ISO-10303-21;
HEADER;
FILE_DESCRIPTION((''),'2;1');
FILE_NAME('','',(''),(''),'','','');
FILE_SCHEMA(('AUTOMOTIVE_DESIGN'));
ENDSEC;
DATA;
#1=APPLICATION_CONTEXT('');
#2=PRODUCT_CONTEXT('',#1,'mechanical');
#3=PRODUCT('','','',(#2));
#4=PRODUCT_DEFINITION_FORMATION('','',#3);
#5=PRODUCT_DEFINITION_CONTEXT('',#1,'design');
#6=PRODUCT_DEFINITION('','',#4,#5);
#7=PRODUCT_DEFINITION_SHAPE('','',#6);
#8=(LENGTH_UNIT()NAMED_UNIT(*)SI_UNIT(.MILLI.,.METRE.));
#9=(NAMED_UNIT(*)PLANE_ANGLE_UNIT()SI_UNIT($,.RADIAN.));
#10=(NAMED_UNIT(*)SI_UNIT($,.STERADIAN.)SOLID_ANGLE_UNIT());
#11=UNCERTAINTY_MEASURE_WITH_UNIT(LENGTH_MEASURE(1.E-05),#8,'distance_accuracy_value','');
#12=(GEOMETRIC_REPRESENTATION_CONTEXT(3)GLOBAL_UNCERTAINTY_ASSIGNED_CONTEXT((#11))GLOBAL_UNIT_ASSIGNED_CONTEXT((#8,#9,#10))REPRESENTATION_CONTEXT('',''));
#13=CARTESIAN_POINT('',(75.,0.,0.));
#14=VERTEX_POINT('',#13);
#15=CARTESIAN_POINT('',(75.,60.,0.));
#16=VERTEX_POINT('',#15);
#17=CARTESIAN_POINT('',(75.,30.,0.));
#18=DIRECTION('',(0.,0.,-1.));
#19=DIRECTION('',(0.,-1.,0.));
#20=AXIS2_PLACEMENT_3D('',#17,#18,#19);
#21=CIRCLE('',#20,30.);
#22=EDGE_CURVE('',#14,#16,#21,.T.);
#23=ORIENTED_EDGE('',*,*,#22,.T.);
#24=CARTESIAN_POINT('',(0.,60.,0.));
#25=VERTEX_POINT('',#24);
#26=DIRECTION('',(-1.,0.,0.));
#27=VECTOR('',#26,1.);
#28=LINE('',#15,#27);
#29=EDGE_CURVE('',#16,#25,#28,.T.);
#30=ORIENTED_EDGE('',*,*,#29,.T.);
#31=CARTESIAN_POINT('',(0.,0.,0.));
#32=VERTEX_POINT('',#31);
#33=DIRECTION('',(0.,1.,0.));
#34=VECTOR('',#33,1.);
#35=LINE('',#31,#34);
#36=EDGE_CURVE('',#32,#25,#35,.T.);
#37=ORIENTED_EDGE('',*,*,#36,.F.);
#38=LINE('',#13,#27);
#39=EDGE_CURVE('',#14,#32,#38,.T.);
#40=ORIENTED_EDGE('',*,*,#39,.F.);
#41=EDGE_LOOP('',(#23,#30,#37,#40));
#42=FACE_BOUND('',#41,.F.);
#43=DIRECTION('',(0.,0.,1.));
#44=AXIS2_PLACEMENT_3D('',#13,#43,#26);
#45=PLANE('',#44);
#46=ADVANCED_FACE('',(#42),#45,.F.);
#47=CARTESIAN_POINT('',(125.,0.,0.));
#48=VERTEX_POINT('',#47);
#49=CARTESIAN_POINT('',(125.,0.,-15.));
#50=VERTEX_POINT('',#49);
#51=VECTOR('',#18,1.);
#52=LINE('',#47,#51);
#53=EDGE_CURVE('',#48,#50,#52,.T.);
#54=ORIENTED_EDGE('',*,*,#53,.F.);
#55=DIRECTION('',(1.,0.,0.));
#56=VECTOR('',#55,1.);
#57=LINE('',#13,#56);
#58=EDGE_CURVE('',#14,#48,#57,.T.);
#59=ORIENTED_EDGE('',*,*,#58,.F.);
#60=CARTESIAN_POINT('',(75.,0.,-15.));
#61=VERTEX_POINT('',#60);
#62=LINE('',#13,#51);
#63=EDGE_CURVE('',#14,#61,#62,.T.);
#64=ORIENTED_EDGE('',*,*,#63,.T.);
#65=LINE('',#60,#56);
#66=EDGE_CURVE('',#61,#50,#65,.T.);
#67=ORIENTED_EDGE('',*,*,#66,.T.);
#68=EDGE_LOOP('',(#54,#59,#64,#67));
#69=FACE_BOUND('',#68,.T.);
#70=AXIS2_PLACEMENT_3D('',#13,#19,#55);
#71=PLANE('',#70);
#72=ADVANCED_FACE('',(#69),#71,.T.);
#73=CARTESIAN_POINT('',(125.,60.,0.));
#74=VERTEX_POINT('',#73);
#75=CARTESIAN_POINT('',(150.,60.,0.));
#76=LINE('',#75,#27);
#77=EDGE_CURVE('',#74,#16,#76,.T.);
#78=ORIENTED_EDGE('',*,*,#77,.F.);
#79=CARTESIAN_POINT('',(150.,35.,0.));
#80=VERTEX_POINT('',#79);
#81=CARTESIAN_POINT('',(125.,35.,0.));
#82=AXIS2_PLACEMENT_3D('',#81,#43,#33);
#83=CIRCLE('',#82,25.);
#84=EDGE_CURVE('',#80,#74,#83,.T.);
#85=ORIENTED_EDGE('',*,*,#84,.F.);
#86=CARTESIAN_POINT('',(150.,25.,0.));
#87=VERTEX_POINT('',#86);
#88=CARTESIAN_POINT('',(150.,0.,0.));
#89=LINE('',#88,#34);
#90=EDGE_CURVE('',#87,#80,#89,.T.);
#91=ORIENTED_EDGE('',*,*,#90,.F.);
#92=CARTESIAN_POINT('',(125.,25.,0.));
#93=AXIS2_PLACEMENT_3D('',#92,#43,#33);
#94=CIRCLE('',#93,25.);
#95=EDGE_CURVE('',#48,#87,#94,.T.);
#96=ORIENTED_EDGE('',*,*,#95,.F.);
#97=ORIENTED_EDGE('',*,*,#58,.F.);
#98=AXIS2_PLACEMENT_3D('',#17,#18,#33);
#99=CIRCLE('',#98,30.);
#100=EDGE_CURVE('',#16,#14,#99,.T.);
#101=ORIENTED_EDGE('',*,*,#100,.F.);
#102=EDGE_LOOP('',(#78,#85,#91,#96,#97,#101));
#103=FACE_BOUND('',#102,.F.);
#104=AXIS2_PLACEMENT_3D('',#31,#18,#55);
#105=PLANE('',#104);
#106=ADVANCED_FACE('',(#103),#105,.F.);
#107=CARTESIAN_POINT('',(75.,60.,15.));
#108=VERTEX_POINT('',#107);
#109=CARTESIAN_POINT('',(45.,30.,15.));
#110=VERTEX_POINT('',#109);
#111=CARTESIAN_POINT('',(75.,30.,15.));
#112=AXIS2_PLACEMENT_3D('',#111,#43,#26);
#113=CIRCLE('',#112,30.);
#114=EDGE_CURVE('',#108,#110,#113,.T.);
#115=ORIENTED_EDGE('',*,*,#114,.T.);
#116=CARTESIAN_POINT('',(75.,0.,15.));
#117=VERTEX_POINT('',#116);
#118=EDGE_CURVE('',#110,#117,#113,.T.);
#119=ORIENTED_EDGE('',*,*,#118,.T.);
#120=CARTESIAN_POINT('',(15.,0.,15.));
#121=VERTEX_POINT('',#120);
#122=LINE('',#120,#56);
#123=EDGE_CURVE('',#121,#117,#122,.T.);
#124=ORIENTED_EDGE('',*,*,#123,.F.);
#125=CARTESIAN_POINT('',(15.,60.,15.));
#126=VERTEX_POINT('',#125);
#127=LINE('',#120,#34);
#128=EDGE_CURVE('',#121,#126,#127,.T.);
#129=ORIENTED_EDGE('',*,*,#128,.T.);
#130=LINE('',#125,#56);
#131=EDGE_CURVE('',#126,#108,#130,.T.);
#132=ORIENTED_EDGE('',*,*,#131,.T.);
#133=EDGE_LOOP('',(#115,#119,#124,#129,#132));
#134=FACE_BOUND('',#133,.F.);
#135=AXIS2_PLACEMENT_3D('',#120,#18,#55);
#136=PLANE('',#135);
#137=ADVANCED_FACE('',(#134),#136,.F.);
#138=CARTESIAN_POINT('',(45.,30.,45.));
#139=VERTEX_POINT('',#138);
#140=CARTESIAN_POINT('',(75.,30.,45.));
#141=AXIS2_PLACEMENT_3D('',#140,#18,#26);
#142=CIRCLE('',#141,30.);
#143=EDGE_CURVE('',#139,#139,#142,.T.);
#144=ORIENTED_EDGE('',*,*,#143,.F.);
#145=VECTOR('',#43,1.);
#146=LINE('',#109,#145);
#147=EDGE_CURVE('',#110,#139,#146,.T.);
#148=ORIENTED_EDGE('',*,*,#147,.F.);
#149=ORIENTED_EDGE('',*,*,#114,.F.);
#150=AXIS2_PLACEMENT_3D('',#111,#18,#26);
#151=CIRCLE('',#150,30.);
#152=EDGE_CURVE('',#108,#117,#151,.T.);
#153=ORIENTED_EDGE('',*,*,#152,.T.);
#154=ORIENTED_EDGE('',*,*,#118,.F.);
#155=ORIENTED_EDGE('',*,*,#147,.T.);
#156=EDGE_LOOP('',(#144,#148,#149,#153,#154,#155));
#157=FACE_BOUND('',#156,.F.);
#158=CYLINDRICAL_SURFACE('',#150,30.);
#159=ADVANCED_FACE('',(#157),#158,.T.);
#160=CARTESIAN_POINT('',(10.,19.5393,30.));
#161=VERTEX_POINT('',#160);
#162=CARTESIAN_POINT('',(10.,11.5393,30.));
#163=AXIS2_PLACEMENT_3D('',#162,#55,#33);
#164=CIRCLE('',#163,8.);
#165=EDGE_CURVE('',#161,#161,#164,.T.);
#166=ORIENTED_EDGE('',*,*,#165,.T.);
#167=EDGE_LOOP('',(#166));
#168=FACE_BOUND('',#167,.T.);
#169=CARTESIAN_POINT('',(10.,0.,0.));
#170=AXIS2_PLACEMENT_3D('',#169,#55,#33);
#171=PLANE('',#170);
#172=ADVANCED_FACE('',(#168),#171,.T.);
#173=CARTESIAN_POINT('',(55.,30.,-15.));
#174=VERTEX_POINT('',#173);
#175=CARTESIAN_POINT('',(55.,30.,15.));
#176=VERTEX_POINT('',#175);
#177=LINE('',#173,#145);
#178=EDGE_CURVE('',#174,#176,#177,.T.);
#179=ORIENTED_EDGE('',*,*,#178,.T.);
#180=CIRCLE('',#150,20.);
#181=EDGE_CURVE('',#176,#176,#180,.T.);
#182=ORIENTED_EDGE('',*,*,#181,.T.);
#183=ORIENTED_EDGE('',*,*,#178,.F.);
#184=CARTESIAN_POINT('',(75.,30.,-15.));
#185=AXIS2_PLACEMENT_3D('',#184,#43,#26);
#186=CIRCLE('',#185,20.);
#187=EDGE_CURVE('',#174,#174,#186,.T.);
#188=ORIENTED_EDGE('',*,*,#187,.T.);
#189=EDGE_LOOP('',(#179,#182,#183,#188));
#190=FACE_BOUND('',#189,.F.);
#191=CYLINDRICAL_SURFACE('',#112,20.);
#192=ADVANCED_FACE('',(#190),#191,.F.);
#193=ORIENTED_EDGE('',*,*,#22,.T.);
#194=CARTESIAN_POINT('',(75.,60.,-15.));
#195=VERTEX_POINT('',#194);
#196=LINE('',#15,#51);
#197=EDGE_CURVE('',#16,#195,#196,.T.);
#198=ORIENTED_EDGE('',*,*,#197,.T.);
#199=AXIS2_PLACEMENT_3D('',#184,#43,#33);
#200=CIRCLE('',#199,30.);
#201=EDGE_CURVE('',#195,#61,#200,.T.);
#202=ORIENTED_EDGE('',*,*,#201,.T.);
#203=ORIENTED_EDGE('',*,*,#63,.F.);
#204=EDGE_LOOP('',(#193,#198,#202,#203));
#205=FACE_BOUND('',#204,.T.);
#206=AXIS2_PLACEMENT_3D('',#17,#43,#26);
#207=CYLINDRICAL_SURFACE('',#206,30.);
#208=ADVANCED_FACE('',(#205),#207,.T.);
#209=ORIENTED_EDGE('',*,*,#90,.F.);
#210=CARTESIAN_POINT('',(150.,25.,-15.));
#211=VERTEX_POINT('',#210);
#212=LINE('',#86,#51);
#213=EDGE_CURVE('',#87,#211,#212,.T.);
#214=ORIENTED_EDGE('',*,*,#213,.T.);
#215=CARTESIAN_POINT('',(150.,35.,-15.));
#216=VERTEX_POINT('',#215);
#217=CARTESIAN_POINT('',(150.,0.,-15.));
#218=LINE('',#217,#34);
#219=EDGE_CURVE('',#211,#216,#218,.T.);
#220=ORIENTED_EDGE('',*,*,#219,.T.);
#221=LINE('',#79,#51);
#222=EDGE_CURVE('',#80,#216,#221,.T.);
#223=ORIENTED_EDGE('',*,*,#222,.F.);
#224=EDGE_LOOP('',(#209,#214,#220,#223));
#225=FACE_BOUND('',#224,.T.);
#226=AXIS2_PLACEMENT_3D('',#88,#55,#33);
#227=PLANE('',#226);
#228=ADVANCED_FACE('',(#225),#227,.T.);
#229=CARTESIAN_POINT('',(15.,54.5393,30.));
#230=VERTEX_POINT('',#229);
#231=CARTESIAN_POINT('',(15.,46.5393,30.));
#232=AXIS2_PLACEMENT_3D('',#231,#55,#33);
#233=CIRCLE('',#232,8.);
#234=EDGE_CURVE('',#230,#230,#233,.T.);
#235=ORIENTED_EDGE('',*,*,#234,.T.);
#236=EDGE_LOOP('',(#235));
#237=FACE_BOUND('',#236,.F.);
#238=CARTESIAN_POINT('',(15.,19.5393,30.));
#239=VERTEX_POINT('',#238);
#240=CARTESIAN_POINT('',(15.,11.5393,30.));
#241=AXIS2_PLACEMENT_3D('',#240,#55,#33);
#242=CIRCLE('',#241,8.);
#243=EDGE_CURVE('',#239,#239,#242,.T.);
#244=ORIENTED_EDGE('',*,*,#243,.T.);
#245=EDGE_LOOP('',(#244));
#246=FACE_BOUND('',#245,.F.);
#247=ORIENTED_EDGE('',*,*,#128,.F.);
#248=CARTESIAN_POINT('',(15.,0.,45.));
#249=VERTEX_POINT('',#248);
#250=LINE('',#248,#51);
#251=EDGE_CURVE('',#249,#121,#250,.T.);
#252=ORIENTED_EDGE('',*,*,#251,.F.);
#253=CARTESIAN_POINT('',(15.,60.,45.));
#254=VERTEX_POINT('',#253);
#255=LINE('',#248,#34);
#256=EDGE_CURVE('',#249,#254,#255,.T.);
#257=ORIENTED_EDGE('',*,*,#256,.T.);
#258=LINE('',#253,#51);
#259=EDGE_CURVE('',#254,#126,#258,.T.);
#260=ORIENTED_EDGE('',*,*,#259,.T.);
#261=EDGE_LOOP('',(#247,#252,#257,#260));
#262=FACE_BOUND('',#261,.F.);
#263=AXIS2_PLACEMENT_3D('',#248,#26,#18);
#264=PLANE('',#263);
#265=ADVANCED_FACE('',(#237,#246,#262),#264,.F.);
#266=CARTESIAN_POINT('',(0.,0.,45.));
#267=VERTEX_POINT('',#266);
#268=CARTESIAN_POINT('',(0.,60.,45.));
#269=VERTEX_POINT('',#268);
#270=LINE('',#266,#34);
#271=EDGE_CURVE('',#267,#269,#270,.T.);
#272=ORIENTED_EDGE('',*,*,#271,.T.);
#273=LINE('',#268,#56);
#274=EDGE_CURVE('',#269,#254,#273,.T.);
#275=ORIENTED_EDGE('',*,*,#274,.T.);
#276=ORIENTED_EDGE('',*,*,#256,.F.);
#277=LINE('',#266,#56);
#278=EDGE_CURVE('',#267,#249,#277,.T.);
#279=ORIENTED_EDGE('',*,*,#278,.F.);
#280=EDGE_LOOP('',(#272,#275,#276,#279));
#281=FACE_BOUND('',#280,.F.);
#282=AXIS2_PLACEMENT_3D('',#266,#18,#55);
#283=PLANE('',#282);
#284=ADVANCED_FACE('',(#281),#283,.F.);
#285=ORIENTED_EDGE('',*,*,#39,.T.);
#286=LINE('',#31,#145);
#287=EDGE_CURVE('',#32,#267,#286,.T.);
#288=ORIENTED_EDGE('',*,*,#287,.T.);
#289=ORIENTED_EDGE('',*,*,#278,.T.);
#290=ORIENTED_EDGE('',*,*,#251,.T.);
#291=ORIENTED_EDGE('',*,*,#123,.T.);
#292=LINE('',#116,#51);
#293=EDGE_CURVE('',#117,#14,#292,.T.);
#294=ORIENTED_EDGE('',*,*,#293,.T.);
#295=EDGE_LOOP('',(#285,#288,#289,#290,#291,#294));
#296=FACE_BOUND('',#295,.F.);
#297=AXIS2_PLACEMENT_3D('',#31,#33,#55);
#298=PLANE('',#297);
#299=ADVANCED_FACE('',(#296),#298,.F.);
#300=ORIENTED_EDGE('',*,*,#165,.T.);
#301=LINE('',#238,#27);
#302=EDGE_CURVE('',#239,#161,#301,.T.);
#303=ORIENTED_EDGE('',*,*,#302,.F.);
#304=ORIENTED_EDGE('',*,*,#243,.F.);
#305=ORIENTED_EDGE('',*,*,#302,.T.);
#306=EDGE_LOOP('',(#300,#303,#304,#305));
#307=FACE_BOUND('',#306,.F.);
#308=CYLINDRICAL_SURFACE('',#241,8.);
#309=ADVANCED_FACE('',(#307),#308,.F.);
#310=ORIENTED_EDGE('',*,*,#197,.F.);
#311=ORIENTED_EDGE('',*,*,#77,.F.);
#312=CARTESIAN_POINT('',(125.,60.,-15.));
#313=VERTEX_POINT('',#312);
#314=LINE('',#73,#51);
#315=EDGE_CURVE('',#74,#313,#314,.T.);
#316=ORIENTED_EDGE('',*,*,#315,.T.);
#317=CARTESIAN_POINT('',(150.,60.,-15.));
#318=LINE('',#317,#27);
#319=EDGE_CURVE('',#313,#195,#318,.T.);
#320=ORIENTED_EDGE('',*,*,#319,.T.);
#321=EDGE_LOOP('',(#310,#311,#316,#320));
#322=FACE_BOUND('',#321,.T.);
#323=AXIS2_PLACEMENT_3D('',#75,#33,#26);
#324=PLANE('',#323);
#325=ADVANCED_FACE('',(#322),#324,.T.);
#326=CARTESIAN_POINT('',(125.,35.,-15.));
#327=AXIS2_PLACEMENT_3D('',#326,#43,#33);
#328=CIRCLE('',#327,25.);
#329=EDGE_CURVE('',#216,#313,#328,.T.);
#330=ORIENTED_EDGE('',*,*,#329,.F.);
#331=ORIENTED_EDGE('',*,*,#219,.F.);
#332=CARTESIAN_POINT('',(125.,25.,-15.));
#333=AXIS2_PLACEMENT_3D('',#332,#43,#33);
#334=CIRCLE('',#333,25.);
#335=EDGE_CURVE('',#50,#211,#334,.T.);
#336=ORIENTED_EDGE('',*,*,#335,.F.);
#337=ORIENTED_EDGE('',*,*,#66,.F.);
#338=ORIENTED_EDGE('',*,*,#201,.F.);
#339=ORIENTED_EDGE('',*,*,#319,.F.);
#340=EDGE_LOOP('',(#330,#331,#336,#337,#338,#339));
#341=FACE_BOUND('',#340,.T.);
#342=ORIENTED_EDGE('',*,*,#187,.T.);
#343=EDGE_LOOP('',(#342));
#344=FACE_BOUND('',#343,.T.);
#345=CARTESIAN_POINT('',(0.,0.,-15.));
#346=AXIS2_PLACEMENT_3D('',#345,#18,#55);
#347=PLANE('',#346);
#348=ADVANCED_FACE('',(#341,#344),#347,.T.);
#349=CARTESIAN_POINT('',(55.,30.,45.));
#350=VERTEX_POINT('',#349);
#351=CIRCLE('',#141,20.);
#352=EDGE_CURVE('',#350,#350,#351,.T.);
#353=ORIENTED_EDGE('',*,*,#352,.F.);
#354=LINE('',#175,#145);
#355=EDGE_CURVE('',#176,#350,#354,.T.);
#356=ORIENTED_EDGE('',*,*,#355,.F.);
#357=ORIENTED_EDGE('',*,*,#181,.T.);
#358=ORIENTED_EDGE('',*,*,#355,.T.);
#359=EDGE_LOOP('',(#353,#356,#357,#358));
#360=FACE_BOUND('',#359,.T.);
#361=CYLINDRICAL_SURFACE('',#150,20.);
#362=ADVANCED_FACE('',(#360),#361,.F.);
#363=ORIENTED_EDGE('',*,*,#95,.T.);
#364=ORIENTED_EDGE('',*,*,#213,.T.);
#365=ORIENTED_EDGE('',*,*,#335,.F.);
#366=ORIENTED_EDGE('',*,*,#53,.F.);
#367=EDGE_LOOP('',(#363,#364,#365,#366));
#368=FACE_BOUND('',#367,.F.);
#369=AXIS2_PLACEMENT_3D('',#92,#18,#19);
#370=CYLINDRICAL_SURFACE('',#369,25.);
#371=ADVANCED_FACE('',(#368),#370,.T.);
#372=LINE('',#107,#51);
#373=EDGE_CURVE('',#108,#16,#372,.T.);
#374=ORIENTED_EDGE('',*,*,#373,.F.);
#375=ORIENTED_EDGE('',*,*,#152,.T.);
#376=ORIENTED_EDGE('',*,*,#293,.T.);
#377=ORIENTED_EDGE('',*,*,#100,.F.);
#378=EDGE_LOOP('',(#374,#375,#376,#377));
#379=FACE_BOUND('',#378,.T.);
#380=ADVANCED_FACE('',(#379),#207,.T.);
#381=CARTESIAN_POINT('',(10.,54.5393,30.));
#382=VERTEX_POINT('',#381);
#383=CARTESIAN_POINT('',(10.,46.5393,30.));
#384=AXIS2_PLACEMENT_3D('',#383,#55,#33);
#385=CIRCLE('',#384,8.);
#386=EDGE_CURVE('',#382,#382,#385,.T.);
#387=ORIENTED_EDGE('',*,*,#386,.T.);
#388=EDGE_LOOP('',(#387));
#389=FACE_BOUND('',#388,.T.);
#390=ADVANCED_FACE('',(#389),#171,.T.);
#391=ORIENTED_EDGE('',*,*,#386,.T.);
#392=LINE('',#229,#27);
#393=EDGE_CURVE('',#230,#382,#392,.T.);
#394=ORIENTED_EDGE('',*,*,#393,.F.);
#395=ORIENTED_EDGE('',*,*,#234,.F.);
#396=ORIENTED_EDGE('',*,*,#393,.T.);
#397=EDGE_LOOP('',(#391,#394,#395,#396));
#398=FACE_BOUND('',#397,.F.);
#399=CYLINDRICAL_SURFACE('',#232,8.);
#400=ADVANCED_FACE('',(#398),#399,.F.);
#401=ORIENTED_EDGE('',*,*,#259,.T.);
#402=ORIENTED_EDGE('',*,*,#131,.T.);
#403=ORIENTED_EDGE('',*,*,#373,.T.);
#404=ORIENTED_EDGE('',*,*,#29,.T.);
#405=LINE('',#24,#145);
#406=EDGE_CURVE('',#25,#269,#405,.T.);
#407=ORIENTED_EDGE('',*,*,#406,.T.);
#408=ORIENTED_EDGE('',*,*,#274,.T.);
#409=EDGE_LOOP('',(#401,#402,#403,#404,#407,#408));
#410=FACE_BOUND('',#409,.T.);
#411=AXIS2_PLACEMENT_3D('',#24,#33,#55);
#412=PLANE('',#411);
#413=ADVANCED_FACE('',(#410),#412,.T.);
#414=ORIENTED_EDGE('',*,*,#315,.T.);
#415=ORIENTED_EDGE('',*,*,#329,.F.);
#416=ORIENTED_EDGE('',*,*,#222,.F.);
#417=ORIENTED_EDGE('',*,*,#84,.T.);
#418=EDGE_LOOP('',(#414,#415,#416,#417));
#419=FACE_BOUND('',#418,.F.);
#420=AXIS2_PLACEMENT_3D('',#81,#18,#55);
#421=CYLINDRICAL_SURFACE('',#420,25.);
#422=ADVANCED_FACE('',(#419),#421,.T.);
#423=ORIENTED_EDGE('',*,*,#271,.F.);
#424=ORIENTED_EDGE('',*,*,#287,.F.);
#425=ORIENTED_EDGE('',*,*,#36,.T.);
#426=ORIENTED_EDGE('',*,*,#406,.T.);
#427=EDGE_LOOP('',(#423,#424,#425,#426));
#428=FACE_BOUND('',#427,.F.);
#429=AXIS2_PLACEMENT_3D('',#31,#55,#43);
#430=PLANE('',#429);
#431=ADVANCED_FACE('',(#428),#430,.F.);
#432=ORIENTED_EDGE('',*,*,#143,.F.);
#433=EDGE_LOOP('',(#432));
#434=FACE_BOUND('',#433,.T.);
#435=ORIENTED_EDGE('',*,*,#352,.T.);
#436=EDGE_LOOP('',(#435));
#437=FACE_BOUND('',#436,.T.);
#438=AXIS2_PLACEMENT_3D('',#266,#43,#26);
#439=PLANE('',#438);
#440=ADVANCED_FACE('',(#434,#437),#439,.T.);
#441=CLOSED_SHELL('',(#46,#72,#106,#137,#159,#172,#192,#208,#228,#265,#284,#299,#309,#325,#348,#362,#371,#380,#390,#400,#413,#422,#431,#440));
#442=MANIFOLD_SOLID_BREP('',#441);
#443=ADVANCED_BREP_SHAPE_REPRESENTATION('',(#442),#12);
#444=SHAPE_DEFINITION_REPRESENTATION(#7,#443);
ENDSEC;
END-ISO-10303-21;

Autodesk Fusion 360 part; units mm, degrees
sketch "Sketch1" plane through (0, 0, 0) normal (0, 1, 0) x (1, 0, 0)
  line L0 (0, 0) -> (0, -45)
  line L1 (0, -45) -> (15, -45)
  line L2 (15, -45) -> (15, -15)
  line L3 (15, -15) -> (75, -15)
  line L4 (75, -15) -> (75, 0)
  line L5 (75, 0) -> (0, 0)
  dimension "d1" = 45
  dimension "d2" = 15
  dimension "d3" = 30
  dimension "d4" = 60
extrude "Extrude1" add sketch "Sketch1" along normal blind 60
sketch "Sketch2" plane through (15, 0, 0) normal (1, 0, 0) x (0, 1, 0)
  line L0 (0, 45) -> (0, 15)
  line L1 (0, 15) -> (60, 15)
  line L2 (60, 15) -> (60, 45)
  line L3 (60, 45) -> (0, 45)
  circle A0 centre (11.5393, 30) radius 8
  circle A1 centre (46.5393, 30) radius 8
  dimension "d7" = 15
  dimension "d8" = 15
  dimension "d9" = 35
  dimension "d10" = 16
  dimension "d11" = 16
extrude "Extrude2" cut sketch "Sketch2" against normal blind 5 contours A0 | A1
sketch "Sketch3" plane through (0, 0, 15) normal (0, 0, 1) x (-1, 0, 0)
  line L0 (-15, 0) -> (-75, 0)
  line L1 (-75, 0) -> (-75, -60)
  line L2 (-75, -60) -> (-15, -60)
  line L3 (-15, -60) -> (-15, 0)
  line L4 (0, 0) -> (0, -30) construction
  line L5 (0, -30) -> (-75, -30) construction
  circle A0 centre (-75, -30) radius 30
  circle A1 centre (-75, -30) radius 20
  dimension "d14" = 30
  dimension "d15" = 75
  dimension "d16" = 60
  dimension "d17" = 40
extrude "Extrude4" cut sketch "Sketch3" against normal blind 60 contours L1 A0 A1 | L1 A0 A1 | L1 A1 | L1 A1
extrude "Extrude5" add sketch "Sketch3" along normal blind 0 and the other way blind 15 contours L1 A0 A1 | L1 A0 A1
extrude "Extrude6" add sketch "Sketch3" against normal blind 15 from surface at -15 contours L1 A0 A1 | L1 A0 A1
extrude "Extrude7" add sketch "Sketch3" along normal blind 30 contours L1 A0 A1 | L1 A0 A1
sketch "Sketch4" plane through (0, 0, 0) normal (0, -1, 0) x (1, 0, 0)
  line L0 (0, 0) -> (75, 0)
  line L1 (75, 0) -> (75, 15)
  line L2 (75, 15) -> (15, 15)
  line L3 (15, 15) -> (15, 45)
  line L4 (15, 45) -> (0, 45)
  line L5 (0, 45) -> (0, 0)
sketch "Sketch5" plane through (0, 0, 45) normal (0, 0, 1) x (-1, 0, 0)
  circle A0 centre (-75, -30) radius 20
  circle A1 centre (-75, -30) radius 30
sketch "Sketch6" plane through (0, 0, 0) normal (-1, 0, 0) x (0, -1, 0)
  line L0 (0, 0) -> (0, 45)
  line L1 (0, 45) -> (-60, 45)
  line L2 (-60, 45) -> (-60, 0)
  line L3 (-60, 0) -> (0, 0)
sketch "Sketch7" plane through (0, 0, 0) normal (-1, 0, 0) x (0, -1, 0)
sketch "Sketch8" plane through (0, 0, 0) normal (0, -1, 0) x (1, 0, 0)
sketch "Sketch9" plane through (0, 0, 45) normal (0, 0, 1) x (-1, 0, 0)
sketch "Sketch10" plane through (0, 0, 0) normal (0, 0, -1) x (1, 0, 0)
  arc A0 (75, 0) -> (75, -60) centre (75, -30) ccw
  line L0 (75, 0) -> (0, 0)
  line L1 (0, 0) -> (0, -60)
  line L2 (0, -60) -> (75, -60)
  circle A1 centre (75, -30) radius 30
  circle A2 centre (75, -30) radius 20
  line L3 (75, 0) -> (150, 0)
  line L4 (150, 0) -> (150, -60)
  line L5 (150, -60) -> (75, -60)
extrude "Extrude8" add sketch "Sketch10" along normal blind 15 contours A1 L3 L4 L5
fillet "Fillet1" radius 25 2 edges at (150, 60, -7.5) (150, 0, -7.5)
sketch "Sketch11" plane through (0, 0, 45) normal (0, 0, 1) x (-1, 0, 0)
  line L0 (0, 0) -> (-15, 0)
  line L1 (-15, 0) -> (-15, -60)
  line L2 (-15, -60) -> (0, -60)
  line L3 (0, -60) -> (0, 0)
